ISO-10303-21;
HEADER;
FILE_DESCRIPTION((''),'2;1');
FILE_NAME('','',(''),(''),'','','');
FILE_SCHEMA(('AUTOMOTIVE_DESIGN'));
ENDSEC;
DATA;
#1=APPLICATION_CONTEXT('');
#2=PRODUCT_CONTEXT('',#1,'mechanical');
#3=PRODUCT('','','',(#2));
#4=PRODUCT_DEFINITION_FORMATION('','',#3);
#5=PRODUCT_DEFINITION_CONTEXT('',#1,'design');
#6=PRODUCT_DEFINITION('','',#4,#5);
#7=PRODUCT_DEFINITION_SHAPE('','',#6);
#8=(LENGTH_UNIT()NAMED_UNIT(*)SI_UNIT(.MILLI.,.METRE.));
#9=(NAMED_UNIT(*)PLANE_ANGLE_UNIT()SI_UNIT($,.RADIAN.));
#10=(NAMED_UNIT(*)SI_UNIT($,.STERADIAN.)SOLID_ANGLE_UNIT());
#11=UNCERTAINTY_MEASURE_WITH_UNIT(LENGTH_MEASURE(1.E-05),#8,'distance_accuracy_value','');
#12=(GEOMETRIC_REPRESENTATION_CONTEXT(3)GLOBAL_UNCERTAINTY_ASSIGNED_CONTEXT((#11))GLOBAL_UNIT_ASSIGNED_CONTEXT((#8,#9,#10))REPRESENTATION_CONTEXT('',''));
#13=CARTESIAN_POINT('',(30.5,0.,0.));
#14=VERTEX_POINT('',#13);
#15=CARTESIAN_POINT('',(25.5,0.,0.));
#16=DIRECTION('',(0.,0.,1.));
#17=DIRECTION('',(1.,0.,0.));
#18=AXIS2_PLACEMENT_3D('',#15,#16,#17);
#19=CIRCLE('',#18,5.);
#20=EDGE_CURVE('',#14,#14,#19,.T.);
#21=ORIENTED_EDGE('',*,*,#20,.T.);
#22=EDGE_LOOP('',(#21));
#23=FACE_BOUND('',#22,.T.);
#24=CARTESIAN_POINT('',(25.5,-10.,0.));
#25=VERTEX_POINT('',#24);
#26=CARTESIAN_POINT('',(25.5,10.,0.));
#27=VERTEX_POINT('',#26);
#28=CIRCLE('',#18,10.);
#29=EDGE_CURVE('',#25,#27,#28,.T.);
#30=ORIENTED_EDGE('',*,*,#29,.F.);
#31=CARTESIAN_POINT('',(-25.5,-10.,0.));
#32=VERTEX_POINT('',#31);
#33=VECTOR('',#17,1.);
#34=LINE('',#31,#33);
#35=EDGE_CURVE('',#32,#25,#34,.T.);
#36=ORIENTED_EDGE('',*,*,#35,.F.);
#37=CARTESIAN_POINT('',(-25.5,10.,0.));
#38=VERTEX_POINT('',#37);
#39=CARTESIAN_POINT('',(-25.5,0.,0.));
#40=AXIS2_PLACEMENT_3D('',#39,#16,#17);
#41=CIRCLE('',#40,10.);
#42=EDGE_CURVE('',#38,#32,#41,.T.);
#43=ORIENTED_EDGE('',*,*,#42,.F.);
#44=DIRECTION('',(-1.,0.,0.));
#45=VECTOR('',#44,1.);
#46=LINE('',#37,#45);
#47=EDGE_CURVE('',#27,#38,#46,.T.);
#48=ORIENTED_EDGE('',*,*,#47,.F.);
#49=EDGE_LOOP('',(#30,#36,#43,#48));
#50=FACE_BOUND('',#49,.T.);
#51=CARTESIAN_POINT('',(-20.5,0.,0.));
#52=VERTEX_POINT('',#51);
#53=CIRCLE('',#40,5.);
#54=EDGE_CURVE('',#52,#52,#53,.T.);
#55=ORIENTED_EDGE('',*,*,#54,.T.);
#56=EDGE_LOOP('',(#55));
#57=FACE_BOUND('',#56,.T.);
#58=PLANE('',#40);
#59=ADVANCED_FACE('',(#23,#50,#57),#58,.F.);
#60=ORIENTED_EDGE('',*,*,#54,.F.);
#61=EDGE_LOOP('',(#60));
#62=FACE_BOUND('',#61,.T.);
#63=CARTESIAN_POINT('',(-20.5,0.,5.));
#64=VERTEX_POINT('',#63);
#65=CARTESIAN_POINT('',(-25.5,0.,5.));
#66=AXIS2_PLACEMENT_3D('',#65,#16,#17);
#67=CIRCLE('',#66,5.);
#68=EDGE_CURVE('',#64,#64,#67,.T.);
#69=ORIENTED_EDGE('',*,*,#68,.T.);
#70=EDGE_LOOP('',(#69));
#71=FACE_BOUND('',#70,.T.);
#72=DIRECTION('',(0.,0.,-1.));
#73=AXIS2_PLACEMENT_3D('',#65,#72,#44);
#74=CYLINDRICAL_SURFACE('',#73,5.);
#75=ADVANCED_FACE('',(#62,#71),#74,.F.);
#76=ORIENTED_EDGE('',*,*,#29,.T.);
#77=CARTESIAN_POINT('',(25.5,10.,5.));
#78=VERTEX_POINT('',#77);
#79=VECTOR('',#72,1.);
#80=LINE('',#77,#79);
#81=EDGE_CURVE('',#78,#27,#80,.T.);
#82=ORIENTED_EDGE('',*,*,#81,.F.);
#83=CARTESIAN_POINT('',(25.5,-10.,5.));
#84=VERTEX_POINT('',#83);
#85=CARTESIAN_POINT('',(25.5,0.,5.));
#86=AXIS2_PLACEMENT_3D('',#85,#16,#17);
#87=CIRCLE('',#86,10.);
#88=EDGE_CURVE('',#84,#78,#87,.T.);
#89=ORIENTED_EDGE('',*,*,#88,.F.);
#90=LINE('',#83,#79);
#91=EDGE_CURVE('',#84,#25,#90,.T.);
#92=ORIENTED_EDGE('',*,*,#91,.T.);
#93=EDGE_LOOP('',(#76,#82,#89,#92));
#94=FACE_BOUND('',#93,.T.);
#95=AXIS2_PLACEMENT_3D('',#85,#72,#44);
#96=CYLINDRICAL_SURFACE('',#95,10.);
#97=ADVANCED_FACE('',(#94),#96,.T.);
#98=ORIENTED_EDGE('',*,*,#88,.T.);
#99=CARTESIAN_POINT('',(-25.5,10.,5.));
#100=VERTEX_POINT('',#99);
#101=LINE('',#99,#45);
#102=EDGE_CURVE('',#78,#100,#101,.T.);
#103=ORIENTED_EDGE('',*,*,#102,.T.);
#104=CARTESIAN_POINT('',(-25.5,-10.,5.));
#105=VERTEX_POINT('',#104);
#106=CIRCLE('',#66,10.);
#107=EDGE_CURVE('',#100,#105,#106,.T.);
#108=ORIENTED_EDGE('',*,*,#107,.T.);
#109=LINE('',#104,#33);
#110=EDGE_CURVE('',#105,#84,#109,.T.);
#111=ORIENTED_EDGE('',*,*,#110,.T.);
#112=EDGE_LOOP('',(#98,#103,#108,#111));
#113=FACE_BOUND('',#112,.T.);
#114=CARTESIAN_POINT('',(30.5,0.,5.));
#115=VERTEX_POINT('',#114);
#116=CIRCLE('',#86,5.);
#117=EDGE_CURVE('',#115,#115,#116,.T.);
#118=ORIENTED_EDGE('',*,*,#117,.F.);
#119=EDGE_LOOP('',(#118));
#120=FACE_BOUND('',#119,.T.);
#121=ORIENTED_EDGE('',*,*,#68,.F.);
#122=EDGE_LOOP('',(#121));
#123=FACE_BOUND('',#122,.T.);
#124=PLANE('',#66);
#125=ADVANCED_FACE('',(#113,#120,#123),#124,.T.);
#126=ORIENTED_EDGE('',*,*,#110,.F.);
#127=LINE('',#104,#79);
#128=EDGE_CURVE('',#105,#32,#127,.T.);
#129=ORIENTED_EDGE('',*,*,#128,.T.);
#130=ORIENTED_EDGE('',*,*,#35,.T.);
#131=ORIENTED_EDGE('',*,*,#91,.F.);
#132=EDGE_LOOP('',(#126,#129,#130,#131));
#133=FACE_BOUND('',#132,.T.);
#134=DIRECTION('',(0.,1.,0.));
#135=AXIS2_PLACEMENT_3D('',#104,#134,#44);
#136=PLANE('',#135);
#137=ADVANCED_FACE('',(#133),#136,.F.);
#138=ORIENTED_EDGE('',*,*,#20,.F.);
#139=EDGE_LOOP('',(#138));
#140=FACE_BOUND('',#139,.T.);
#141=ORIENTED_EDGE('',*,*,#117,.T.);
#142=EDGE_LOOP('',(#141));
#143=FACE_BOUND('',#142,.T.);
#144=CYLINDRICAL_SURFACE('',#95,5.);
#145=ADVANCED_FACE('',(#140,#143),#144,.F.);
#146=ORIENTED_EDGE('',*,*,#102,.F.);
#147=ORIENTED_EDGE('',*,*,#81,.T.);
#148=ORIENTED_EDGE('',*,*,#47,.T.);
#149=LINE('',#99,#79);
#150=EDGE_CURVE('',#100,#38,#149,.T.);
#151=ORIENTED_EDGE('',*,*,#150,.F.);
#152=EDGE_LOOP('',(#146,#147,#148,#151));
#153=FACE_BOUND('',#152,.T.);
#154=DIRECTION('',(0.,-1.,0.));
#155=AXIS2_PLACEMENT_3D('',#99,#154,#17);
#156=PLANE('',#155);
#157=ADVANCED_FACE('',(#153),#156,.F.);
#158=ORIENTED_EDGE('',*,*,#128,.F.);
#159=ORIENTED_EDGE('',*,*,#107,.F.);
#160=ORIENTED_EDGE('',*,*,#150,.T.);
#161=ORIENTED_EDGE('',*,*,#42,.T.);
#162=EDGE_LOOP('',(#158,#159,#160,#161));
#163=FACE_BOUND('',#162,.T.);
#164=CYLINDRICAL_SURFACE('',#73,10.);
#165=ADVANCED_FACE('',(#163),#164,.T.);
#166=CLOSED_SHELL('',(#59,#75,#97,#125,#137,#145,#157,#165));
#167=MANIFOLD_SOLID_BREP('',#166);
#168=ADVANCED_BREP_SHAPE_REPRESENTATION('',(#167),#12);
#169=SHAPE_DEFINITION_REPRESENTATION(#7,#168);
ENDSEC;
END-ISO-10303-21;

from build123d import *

# Parameters (mm, degrees)
CROQUIS1_R              = 5
SALIENTE_EXTRUIR1_DEPTH = 5


with BuildPart() as part:
    # Croquis1 → Saliente-Extruir1 (new body)
    with BuildSketch(Plane.XY):
        with BuildLine():
            Line((-25.5, 10), (25.5, 10))
            ThreePointArc((25.5, 10), (35.5, 0), (25.5, -10))
            Line((25.5, -10), (-25.5, -10))
            ThreePointArc((-25.5, -10), (-35.5, 0), (-25.5, 10))
        make_face()
        with Locations((25.5, 0)):
            Circle(CROQUIS1_R, mode=Mode.SUBTRACT)
        with Locations((-25.5, 0)):
            Circle(CROQUIS1_R, mode=Mode.SUBTRACT)
    extrude(amount=SALIENTE_EXTRUIR1_DEPTH)


solid = part.part
